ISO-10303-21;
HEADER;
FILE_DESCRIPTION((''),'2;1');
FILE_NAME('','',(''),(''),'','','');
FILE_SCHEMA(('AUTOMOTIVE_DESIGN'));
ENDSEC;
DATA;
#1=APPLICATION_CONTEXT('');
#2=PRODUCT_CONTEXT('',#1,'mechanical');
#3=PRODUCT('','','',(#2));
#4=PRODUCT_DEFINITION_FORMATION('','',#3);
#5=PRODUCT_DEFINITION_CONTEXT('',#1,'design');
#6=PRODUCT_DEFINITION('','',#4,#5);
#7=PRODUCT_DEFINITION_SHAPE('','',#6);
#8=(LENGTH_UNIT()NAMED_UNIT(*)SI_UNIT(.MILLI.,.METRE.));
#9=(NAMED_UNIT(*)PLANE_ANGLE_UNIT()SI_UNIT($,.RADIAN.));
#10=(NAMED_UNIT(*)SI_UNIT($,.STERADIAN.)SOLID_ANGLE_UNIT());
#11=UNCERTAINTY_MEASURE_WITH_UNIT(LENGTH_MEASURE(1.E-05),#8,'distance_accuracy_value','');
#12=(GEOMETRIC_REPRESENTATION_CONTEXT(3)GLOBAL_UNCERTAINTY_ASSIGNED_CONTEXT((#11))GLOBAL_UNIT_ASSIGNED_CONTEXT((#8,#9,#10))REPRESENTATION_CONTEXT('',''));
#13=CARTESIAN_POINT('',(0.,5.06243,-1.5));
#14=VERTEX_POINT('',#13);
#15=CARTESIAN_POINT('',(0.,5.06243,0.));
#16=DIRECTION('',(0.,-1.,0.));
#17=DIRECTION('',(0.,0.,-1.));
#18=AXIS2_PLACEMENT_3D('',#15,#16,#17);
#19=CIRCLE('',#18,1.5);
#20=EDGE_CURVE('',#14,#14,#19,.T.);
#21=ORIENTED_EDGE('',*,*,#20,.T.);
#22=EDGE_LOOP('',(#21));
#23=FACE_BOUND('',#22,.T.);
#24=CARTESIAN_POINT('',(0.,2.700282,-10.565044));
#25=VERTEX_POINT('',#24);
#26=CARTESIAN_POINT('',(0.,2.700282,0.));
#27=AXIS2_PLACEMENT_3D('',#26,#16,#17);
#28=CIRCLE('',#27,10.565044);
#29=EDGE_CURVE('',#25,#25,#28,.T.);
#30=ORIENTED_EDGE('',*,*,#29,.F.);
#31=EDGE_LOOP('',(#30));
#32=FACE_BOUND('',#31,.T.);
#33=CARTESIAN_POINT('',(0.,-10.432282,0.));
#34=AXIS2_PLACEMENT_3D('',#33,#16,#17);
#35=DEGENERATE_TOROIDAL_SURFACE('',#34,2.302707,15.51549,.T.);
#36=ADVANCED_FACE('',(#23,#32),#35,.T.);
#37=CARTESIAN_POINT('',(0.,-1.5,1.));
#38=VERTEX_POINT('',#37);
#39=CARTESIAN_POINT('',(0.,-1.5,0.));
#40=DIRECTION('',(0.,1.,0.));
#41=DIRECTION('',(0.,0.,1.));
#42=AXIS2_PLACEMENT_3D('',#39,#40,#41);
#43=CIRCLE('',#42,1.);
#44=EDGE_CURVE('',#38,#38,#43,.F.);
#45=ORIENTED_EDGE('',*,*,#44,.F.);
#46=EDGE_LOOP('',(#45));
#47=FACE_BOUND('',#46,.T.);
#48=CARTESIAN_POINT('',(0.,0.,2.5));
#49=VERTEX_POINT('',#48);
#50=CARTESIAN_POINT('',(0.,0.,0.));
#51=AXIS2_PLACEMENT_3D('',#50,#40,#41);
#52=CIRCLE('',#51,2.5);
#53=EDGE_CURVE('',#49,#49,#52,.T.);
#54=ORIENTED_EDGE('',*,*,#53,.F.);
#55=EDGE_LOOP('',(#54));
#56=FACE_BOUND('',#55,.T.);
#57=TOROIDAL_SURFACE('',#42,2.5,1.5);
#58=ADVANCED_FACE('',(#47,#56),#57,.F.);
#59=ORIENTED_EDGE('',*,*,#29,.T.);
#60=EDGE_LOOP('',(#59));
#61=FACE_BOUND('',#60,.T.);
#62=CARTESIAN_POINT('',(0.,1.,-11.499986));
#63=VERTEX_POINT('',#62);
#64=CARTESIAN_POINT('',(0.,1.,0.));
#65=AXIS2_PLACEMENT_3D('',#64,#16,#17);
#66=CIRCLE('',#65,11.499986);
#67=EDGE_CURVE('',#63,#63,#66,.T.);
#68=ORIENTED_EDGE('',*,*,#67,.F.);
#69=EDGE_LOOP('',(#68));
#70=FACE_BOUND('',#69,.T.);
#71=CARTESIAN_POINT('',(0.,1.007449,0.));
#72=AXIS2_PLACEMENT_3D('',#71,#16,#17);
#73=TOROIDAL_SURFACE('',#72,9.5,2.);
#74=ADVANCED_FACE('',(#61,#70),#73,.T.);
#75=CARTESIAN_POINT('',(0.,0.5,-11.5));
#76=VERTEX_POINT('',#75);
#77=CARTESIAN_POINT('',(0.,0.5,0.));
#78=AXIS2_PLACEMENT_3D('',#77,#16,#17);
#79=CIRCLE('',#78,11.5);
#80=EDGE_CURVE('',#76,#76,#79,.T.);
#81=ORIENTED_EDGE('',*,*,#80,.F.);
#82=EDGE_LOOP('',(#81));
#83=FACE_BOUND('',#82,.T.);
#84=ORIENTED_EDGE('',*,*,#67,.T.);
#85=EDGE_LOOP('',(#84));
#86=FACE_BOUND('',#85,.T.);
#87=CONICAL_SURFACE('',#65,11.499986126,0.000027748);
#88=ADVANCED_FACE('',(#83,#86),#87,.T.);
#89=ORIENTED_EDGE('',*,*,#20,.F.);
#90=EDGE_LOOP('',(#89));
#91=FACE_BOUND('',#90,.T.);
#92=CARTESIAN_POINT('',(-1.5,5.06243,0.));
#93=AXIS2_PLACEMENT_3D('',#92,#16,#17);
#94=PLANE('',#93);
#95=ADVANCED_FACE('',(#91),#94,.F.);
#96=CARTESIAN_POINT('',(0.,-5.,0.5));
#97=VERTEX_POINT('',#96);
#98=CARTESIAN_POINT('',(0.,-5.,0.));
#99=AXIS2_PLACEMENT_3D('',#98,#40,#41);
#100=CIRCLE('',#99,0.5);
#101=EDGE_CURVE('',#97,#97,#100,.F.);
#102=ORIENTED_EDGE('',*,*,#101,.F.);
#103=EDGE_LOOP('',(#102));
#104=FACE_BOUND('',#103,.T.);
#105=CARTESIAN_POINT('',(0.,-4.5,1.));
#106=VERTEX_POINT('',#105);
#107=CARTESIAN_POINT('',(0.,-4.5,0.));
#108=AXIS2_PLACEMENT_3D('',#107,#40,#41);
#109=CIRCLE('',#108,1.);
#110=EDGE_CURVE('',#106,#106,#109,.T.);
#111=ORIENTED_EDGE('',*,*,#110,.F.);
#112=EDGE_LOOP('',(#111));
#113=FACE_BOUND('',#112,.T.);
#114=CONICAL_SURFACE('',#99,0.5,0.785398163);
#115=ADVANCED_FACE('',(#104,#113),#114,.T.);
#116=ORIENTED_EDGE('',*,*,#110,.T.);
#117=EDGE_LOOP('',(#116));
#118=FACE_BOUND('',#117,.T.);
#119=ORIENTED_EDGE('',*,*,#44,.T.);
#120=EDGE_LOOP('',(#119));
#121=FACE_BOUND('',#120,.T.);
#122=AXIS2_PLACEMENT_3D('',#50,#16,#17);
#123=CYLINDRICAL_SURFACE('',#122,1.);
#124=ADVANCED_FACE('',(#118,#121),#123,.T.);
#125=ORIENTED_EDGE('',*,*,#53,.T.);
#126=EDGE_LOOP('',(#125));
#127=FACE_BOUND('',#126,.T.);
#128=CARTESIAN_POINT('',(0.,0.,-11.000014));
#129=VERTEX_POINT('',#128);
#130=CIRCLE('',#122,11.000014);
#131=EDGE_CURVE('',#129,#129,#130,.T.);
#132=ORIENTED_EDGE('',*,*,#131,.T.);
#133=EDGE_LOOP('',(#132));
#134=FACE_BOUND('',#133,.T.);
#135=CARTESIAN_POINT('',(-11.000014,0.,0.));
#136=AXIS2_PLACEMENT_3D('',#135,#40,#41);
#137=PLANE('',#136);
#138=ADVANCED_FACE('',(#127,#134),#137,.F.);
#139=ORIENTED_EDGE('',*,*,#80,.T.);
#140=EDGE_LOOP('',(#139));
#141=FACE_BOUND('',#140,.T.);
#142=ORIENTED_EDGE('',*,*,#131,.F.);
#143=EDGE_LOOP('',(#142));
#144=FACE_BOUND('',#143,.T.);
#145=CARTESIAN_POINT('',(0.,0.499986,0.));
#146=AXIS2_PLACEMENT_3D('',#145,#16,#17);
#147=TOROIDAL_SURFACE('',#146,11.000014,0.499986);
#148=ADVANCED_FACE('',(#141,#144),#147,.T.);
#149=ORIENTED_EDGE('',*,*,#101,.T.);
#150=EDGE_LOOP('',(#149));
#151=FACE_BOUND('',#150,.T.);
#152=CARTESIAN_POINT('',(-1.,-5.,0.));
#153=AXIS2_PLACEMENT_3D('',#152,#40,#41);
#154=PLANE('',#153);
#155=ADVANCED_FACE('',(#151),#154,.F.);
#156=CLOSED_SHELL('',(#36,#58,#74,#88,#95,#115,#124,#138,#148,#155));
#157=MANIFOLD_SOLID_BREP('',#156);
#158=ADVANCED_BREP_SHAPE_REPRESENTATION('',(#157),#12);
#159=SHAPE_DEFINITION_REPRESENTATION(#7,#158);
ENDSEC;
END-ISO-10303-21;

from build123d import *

# Parameters (mm, degrees)
FILLET1_R     = 1.5
CHAMFER1_SIZE = 0.5


with BuildPart() as part:
    # Sketch1 → Revolve1 (revolve)
    with BuildSketch(Plane.XY, mode=Mode.PRIVATE) as revolve1_sk:
        with BuildLine():
            Line((-11.000013874, -2.81e-07), (-1, -2.81e-07))
            Line((-1, -2.81e-07), (-1, -5.000000281))
            Line((-1, -5.000000281), (0, -5.000000281))
            Line((0, -5.000000281), (0, 5.06243))
            Line((0, 5.06243), (-1.5, 5.06243))
            ThreePointArc((-1.5, 5.06243), (-6.215053401, 4.581844183), (-10.565043576, 2.700281861))
            ThreePointArc((-10.565043576, 2.700281861), (-11.252524354, 1.971118503), (-11.499986126, 0.999999718))
            Line((-11.499986126, 0.999999718), (-11.5, 0.499999719))
            ThreePointArc((-11.5, 0.499999719), (-11.353562359, 0.14644717), (-11.000013874, -2.81e-07))
        make_face()
    revolve(revolve1_sk.sketch.rotate(Axis((0, 0, 0), (0, 1, 0)), 270), axis=Axis((0, 0, 0), (0, 1, 0)))

    # Fillet1
    fillet1_edges = [part.edges().sort_by_distance(p)[0] for p in [
        (0, -2.813517580805419e-07, 1.0),
    ]]
    fillet(fillet1_edges, radius=FILLET1_R)

    # Chamfer1
    chamfer1_edges = [part.edges().sort_by_distance(p)[0] for p in [
        (0, -5.000000281, 1),
    ]]
    chamfer(chamfer1_edges, length=CHAMFER1_SIZE)


solid = part.part
